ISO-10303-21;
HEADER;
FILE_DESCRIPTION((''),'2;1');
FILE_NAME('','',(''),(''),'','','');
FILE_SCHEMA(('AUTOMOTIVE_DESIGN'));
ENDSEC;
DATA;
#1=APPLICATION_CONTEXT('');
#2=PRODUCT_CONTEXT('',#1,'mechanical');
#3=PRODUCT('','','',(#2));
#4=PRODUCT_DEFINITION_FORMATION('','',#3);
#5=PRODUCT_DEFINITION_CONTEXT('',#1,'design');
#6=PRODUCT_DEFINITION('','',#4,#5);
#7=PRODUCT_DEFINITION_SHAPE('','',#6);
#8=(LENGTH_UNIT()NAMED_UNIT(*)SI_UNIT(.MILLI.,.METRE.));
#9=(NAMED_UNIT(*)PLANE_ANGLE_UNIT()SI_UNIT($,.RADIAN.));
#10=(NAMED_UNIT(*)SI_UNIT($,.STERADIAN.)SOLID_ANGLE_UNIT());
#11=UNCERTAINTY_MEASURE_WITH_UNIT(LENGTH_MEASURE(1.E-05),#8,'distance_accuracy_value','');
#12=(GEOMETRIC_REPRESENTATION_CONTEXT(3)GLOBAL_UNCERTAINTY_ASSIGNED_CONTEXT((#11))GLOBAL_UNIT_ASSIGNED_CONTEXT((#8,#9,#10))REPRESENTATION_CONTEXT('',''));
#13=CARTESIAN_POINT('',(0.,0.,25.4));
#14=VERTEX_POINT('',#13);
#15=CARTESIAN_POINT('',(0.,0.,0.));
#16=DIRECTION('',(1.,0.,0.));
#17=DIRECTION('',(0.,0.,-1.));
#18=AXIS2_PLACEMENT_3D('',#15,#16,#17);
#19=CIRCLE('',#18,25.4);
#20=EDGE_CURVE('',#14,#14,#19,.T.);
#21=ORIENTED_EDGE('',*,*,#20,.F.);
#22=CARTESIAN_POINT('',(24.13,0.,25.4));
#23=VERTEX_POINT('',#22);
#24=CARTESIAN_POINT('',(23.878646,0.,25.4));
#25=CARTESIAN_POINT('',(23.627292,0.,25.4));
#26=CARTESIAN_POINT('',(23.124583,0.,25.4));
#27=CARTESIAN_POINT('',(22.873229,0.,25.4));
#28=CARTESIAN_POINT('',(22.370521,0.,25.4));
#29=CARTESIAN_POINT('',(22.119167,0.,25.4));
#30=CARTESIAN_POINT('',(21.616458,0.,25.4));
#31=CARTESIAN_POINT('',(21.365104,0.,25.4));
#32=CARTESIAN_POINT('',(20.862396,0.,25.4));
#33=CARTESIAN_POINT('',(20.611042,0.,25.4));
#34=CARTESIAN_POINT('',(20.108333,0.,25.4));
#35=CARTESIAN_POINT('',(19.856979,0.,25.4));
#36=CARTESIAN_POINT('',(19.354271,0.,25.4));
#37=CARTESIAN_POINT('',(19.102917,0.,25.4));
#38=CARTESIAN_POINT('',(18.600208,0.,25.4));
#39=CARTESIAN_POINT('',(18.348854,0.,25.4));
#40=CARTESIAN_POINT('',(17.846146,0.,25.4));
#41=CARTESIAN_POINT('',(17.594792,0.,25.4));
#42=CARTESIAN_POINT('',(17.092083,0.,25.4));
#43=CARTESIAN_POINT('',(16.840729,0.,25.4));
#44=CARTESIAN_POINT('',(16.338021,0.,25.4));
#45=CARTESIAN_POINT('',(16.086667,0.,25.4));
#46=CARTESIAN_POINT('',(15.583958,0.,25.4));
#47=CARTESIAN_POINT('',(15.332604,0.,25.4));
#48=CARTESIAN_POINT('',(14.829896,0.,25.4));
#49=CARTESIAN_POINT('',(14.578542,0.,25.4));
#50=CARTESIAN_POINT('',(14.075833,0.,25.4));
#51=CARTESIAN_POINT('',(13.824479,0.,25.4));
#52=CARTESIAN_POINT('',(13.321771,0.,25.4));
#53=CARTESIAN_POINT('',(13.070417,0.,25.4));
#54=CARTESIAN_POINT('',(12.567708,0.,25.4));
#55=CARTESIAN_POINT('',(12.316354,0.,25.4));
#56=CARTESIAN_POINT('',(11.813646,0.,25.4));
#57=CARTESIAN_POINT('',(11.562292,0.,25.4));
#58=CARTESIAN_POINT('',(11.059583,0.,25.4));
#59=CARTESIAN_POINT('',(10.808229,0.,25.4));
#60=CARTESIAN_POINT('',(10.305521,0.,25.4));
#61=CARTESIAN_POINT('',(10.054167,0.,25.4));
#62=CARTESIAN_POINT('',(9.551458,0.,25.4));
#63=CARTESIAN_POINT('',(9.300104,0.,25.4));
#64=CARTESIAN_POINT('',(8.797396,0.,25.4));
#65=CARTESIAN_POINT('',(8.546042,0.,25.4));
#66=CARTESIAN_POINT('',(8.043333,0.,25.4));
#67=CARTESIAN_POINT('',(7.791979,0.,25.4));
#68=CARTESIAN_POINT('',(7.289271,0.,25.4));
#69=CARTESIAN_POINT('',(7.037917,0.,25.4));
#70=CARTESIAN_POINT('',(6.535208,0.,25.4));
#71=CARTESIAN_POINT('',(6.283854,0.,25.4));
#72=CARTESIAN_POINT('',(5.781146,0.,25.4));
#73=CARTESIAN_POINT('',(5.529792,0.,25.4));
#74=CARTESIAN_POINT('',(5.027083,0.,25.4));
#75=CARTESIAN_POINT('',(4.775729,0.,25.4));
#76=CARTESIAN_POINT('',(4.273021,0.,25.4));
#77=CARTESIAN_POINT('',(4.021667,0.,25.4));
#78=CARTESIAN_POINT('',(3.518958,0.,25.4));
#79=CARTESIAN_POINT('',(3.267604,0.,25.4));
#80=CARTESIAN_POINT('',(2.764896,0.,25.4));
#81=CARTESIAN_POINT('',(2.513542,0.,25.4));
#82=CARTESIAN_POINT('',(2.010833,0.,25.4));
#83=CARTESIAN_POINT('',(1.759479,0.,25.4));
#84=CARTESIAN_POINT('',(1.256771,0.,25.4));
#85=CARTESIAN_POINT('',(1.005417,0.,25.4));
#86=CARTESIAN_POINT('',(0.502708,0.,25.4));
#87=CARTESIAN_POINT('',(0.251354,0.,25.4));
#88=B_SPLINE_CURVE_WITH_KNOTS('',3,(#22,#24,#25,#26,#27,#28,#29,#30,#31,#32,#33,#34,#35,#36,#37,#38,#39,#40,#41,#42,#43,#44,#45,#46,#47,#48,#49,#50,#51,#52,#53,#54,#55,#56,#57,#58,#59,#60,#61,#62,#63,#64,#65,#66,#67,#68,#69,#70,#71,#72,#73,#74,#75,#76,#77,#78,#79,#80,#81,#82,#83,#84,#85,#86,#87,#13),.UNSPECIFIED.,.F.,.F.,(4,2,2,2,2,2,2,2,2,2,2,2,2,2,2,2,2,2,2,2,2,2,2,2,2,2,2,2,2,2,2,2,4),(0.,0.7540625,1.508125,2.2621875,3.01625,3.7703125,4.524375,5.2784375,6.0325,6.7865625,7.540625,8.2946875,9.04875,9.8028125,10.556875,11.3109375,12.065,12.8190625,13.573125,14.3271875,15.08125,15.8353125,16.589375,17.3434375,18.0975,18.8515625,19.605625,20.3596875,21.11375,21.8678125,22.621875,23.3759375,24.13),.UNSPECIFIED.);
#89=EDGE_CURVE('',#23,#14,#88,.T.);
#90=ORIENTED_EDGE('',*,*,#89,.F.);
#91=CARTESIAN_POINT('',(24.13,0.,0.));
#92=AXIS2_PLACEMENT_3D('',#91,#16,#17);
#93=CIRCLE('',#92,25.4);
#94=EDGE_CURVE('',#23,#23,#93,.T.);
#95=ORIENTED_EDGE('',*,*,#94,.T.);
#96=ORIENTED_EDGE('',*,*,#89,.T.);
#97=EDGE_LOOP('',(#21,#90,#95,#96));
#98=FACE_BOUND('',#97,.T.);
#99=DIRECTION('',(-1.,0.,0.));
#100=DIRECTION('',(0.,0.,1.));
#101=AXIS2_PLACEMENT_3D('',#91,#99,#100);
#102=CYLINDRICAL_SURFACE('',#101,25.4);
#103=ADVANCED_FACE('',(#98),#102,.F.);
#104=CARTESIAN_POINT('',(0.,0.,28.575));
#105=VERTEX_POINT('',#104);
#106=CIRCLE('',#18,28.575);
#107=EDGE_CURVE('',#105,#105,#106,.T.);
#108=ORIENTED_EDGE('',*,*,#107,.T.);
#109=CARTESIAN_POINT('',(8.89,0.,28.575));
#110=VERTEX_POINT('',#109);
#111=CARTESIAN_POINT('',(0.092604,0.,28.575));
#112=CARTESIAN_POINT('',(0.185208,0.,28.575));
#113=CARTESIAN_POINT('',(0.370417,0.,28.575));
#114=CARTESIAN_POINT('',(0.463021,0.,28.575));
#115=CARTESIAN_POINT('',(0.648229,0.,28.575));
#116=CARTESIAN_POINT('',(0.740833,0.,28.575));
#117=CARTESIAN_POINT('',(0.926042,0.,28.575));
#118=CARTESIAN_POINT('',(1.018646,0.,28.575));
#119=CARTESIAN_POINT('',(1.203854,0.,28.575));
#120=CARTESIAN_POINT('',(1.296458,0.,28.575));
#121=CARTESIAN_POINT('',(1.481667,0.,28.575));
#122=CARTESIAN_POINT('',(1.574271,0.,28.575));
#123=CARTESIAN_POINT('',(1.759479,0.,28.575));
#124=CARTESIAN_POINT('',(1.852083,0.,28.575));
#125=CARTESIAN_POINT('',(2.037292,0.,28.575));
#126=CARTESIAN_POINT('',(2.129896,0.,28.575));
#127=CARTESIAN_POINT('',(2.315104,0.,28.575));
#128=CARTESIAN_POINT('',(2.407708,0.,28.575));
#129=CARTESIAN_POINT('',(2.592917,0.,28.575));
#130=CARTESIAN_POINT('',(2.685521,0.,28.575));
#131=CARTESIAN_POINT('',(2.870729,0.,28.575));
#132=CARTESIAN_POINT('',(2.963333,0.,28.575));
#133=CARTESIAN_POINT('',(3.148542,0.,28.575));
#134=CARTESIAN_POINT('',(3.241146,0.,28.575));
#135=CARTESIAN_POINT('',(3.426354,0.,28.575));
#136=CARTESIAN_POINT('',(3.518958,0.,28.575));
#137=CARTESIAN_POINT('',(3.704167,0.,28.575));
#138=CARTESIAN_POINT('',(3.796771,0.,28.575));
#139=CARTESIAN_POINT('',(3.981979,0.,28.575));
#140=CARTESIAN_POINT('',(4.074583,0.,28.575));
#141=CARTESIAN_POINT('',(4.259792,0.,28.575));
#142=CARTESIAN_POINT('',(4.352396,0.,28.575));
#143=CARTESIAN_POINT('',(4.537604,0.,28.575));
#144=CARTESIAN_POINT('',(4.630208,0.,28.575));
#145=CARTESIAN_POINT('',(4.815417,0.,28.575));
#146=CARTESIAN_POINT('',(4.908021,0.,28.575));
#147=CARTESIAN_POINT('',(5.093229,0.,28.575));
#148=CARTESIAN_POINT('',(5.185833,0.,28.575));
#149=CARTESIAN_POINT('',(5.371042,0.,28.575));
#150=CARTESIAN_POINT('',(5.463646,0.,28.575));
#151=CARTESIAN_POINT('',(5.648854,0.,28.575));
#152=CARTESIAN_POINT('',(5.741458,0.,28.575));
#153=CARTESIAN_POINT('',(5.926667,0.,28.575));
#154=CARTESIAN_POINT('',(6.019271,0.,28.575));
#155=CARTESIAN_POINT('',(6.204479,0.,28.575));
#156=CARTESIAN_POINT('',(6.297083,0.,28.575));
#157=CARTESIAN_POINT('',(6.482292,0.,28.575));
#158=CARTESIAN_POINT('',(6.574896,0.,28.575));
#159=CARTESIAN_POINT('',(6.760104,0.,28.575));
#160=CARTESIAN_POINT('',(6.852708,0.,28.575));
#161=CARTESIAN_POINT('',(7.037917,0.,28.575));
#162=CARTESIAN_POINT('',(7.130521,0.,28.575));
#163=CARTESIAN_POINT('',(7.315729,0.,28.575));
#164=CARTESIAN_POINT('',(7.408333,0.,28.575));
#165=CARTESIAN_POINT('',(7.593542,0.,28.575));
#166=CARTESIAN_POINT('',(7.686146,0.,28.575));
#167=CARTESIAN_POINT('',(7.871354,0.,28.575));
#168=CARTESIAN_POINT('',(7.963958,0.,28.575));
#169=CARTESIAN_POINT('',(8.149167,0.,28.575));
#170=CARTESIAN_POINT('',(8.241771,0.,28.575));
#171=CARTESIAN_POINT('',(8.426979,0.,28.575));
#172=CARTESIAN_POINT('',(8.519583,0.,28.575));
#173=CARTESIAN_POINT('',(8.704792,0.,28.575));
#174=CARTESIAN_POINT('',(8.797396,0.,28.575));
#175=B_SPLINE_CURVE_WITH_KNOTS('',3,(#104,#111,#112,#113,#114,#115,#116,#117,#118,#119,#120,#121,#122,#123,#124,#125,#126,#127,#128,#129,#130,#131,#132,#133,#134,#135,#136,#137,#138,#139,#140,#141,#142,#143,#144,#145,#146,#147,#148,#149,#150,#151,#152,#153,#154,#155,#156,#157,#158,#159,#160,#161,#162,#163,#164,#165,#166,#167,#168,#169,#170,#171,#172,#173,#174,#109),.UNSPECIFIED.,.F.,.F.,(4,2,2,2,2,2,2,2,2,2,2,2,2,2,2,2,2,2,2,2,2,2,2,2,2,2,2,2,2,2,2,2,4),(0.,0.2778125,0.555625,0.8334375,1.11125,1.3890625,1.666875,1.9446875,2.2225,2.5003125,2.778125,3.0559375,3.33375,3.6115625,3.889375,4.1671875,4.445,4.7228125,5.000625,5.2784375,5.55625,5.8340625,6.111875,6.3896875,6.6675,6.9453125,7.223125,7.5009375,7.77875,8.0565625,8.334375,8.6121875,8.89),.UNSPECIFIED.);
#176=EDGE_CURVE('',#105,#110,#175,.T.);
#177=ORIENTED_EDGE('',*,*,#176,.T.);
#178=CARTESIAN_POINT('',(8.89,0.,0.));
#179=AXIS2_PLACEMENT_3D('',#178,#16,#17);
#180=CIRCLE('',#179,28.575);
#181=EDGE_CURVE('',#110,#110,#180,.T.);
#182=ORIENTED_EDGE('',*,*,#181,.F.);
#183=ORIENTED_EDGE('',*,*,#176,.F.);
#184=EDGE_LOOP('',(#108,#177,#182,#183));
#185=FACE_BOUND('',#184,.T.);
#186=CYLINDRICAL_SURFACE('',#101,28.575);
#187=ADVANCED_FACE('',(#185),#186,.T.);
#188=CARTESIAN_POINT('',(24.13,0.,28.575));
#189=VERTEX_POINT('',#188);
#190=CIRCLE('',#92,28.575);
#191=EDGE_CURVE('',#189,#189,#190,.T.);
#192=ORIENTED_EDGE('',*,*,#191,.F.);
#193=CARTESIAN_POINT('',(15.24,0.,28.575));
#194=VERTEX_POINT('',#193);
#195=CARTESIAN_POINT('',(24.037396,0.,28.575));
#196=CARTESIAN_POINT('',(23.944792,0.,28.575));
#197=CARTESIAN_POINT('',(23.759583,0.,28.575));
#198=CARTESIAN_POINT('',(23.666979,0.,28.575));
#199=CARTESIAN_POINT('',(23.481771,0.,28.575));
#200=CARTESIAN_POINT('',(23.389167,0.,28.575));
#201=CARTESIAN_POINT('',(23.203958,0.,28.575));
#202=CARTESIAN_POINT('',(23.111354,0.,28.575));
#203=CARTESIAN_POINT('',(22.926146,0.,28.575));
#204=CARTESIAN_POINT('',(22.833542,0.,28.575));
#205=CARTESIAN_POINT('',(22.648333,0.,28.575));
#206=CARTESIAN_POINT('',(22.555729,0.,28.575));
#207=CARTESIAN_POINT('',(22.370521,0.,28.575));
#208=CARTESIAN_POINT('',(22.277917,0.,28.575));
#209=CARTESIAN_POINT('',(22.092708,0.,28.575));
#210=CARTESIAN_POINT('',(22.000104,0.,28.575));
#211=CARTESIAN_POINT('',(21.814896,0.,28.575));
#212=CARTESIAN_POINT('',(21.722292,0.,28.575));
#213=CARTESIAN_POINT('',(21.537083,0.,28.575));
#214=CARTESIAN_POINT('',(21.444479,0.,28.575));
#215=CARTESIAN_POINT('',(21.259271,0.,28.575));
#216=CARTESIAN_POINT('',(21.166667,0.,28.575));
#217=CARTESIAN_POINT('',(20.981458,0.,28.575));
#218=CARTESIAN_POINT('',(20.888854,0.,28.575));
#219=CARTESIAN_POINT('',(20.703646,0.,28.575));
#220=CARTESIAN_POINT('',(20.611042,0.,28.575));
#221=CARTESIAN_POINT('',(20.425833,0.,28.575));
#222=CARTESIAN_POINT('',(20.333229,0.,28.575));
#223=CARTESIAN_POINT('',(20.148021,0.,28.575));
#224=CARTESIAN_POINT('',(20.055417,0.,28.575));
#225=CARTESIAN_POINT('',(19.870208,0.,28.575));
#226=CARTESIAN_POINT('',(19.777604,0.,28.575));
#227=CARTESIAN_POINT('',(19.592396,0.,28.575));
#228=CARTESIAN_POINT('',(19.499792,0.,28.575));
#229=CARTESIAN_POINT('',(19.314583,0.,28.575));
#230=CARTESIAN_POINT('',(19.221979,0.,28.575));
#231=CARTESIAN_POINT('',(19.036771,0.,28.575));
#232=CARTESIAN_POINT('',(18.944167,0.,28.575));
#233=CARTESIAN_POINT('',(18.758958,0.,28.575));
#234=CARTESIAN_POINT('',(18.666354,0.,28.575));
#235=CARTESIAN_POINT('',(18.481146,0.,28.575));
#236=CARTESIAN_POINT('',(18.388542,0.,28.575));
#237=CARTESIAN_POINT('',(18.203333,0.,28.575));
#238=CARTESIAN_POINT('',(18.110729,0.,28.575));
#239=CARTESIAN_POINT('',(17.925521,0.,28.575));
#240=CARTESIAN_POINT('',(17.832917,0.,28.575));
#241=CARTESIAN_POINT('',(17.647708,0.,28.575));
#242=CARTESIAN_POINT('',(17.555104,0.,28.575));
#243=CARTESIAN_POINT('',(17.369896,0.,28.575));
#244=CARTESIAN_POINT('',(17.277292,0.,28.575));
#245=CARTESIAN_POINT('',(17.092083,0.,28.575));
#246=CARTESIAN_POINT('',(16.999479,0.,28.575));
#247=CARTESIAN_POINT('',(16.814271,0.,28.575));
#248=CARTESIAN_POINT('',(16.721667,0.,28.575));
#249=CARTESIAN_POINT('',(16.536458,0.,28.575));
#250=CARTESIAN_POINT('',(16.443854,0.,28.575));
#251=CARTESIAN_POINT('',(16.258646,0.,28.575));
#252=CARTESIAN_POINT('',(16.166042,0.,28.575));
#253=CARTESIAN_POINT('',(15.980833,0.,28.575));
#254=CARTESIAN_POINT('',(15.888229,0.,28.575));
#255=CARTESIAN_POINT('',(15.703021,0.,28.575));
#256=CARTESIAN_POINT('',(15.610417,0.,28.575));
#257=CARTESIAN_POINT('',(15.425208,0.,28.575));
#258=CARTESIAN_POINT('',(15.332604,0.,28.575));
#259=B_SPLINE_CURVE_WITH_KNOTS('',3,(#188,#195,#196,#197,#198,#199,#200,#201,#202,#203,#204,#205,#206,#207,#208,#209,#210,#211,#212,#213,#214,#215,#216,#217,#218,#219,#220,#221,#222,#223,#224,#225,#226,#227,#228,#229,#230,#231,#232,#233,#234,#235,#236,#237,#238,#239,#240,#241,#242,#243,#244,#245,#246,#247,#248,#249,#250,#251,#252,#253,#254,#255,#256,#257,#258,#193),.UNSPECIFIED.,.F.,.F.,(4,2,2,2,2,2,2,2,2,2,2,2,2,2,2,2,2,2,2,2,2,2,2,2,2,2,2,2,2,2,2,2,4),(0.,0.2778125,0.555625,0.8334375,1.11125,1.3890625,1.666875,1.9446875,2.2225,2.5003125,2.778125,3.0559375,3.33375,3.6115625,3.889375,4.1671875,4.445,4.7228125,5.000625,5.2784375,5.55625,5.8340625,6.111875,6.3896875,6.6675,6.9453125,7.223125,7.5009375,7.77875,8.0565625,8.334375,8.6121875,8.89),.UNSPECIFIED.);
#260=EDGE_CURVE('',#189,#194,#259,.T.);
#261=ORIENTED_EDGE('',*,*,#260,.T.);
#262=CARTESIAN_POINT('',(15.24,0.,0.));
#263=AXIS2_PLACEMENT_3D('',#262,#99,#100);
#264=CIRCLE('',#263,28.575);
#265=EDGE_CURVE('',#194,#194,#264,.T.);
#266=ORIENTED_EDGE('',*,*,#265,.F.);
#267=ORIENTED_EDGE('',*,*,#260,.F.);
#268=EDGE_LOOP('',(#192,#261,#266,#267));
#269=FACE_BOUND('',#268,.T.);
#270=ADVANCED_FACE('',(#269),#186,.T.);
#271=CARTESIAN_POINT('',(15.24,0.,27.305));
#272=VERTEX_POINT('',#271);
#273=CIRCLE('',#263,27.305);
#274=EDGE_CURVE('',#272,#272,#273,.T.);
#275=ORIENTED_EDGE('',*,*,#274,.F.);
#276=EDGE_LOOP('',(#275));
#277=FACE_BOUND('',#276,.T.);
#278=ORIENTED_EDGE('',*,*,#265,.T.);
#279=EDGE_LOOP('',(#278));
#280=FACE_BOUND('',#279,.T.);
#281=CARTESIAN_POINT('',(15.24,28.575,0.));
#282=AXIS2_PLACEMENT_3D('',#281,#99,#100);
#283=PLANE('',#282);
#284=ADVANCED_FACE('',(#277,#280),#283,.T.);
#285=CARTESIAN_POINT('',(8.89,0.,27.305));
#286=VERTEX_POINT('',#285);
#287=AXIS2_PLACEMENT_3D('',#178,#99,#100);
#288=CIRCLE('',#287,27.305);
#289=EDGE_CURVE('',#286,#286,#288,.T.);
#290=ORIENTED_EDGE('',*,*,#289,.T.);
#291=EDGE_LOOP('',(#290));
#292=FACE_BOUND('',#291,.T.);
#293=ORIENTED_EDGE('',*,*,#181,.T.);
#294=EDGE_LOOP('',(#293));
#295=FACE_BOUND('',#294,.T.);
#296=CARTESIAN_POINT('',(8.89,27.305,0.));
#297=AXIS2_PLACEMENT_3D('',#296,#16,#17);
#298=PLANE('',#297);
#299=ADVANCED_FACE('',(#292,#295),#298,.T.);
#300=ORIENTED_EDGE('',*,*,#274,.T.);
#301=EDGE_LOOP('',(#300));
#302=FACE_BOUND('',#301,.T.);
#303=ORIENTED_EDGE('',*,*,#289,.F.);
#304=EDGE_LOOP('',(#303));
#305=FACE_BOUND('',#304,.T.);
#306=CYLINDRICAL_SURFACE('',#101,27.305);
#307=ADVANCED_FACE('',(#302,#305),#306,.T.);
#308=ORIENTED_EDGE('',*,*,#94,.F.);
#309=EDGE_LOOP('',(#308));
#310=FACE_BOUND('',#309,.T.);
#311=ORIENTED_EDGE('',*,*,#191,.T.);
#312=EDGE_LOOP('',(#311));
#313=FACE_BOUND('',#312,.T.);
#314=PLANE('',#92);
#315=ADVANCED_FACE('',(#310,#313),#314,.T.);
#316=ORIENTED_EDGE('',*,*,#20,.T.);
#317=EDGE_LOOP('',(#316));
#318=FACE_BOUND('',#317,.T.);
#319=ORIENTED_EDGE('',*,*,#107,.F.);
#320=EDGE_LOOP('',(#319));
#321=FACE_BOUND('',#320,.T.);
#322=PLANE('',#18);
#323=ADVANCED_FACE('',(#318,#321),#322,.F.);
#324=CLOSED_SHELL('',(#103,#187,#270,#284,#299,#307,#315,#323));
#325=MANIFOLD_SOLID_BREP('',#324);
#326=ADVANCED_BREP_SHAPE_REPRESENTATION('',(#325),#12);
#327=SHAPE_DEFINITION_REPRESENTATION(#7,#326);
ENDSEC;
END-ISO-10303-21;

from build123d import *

# Parameters (mm, degrees)
SKETCH1_R           = 28.575
SKETCH1_R_2         = 25.4
BOSS_EXTRUDE1_DEPTH = 24.13


with BuildPart() as part:
    # Sketch1 → Boss-Extrude1 (new body)
    with BuildSketch(Plane(origin=(0, 0, 0), x_dir=(0, 0, -1), z_dir=(1, 0, 0))):
        with Locations(Location((0, 0, 0), (0, 0, 180))):
            Circle(SKETCH1_R)
        with Locations(Location((0, 0, 0), (0, 0, 180))):
            Circle(SKETCH1_R_2, mode=Mode.SUBTRACT)
    extrude(amount=BOSS_EXTRUDE1_DEPTH)

    # Cut-Sweep1: sweep along a curve in space
    with BuildLine() as cut_sweep1_path:
        ThreePointArc((24.13, 0, -28.575), (24.13, 20.205576272, -20.205576272), (24.13, 28.575, 0))
        ThreePointArc((24.13, 28.575, 0), (24.13, 20.205576272, 20.205576272), (24.13, 0, 28.575))
        ThreePointArc((24.13, 0, 28.575), (24.13, -20.205576272, 20.205576272), (24.13, -28.575, 0))
        ThreePointArc((24.13, -28.575, 0), (24.13, -20.205576272, -20.205576272), (24.13, 0, -28.575))
    # Sketch2 → Cut-Sweep1 (sweep, cut)
    with BuildSketch(Plane.XY):
        Polygon((15.24, 28.575), (15.24, 27.305), (8.89, 27.305), (8.89, 28.575), (8.89, 30.628551977), (15.24, 30.628551977), align=None)
    sweep(path=cut_sweep1_path.line, mode=Mode.SUBTRACT)


solid = part.part
